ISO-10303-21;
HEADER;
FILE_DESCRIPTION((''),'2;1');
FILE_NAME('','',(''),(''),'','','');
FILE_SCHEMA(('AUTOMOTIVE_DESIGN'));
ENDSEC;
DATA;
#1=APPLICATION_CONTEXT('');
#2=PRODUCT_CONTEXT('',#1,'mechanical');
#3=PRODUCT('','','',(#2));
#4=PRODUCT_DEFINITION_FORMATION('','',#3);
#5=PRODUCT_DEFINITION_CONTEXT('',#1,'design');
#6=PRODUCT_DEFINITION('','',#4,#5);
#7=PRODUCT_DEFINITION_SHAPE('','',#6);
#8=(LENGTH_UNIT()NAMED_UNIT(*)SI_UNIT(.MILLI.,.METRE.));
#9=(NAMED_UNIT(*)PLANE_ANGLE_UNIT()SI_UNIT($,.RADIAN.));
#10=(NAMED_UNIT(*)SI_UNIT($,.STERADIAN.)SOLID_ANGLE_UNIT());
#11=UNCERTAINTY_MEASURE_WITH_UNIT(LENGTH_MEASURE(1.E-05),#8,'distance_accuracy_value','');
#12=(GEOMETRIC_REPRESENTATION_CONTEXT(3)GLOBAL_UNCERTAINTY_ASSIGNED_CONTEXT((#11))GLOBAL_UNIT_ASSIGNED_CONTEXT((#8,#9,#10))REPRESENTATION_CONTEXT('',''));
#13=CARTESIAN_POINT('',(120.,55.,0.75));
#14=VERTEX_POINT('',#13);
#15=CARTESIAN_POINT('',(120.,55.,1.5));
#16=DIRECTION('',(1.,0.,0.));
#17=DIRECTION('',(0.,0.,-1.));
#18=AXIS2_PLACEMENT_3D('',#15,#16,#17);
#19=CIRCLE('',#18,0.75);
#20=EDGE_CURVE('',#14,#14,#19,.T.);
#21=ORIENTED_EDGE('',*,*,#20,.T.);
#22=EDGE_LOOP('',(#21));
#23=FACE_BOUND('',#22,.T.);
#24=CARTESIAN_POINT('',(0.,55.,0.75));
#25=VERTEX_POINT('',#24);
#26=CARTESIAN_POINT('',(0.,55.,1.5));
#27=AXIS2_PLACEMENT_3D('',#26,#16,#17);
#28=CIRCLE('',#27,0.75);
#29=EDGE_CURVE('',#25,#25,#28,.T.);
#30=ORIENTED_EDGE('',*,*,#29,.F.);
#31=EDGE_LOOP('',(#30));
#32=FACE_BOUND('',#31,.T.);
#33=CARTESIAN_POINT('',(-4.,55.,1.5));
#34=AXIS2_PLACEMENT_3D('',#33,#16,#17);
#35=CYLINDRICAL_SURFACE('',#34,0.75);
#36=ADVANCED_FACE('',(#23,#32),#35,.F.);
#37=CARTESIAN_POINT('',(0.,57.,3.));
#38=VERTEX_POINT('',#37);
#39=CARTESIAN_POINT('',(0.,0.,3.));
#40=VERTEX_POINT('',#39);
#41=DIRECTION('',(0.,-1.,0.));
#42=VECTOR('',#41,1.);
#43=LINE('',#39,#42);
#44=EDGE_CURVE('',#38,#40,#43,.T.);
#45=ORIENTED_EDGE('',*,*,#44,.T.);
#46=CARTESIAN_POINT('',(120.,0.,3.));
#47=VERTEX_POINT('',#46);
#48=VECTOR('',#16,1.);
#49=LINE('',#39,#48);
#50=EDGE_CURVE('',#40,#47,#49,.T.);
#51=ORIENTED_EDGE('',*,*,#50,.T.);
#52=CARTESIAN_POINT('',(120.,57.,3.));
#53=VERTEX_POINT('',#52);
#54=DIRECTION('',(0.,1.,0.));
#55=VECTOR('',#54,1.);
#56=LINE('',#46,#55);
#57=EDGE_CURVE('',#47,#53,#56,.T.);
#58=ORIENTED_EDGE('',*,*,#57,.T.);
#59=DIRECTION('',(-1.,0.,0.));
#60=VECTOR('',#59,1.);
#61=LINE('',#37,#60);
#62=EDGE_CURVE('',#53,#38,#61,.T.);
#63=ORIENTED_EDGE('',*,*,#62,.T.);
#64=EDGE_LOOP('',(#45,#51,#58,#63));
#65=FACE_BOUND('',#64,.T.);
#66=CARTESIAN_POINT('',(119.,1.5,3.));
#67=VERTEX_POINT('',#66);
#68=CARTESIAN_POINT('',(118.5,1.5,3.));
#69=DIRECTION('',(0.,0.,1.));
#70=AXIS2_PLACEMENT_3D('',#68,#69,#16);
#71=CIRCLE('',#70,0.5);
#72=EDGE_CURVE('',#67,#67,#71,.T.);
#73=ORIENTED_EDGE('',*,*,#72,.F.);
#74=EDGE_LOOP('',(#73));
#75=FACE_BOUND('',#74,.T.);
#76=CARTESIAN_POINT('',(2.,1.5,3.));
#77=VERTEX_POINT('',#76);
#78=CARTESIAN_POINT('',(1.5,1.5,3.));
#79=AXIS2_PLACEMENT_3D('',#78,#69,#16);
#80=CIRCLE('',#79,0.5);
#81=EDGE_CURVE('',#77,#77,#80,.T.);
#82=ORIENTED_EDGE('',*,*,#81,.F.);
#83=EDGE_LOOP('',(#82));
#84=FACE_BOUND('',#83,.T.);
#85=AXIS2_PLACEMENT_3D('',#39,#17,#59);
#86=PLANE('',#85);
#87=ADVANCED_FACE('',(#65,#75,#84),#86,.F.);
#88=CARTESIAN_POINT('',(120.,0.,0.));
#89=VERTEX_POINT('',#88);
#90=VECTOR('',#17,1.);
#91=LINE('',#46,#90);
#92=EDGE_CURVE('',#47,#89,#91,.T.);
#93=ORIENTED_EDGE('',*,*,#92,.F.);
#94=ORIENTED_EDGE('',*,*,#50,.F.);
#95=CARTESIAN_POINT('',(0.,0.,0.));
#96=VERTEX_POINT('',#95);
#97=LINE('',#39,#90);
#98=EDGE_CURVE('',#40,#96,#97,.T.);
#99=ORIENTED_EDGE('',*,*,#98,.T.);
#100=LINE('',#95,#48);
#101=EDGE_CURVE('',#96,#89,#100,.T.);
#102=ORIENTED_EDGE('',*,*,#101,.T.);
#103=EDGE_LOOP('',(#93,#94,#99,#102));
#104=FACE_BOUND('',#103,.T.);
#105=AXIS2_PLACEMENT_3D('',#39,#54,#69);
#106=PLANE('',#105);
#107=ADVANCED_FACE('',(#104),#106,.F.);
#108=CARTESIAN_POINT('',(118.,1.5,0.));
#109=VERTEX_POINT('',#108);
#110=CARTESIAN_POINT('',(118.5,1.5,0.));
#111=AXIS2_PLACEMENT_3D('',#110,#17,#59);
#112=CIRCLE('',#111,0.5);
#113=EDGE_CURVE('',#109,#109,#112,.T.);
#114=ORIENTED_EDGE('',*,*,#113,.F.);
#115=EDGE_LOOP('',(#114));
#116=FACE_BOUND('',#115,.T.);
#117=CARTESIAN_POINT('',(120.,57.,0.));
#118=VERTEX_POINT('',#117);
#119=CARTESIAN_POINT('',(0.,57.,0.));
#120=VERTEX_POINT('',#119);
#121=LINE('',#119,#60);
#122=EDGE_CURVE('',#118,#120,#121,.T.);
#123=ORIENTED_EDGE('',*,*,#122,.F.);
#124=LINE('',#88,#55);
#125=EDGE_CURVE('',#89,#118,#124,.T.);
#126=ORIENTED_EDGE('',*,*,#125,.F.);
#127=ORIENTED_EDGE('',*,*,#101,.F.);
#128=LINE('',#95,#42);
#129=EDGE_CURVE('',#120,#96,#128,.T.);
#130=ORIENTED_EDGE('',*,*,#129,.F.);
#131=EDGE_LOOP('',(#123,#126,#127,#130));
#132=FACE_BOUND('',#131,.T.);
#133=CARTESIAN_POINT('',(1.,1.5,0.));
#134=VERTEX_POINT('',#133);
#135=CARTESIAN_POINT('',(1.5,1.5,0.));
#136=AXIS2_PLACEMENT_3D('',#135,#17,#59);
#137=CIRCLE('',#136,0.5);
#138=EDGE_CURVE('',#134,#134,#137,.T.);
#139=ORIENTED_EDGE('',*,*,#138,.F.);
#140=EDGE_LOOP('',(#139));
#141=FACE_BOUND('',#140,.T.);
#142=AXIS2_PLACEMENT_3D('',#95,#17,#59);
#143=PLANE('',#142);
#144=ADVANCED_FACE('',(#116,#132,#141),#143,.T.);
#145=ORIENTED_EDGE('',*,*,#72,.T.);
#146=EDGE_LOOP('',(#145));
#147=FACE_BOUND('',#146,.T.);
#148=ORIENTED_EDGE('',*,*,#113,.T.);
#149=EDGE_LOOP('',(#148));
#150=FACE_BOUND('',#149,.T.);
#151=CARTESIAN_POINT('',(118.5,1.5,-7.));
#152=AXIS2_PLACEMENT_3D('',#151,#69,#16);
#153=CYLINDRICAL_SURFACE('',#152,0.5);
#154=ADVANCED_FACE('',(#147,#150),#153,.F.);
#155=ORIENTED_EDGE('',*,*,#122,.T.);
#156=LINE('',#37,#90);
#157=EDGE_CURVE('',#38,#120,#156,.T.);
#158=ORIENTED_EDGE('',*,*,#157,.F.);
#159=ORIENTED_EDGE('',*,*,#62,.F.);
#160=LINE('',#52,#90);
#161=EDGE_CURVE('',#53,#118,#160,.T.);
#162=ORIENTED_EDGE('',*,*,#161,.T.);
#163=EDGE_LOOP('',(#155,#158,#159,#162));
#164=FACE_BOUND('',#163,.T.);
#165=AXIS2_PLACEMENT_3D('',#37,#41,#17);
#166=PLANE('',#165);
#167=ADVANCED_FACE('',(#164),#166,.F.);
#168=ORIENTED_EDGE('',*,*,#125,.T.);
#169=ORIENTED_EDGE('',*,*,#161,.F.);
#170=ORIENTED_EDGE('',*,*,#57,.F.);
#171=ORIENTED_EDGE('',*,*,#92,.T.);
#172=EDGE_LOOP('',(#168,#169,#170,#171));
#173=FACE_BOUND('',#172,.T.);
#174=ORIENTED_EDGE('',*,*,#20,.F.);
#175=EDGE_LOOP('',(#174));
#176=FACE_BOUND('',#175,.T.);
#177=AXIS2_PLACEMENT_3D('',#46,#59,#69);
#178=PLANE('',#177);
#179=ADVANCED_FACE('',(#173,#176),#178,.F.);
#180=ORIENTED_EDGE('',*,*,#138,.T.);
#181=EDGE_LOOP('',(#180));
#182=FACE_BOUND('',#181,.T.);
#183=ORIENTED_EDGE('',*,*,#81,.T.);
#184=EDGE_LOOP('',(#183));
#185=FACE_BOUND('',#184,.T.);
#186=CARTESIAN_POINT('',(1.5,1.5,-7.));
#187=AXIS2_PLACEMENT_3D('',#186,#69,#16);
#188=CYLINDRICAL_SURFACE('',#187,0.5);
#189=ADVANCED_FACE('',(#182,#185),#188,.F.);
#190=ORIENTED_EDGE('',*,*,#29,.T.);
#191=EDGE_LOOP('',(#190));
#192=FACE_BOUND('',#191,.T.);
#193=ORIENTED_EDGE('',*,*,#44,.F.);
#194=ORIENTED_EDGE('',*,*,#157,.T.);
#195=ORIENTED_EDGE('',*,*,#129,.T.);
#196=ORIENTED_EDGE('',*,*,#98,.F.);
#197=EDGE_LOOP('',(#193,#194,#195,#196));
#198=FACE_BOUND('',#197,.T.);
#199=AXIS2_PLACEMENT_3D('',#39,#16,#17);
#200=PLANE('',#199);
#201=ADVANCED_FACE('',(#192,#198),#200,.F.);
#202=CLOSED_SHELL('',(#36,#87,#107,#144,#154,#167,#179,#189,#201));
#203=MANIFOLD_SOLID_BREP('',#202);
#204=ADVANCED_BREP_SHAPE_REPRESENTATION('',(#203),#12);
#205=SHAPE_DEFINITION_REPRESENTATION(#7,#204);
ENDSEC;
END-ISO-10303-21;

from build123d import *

# Parameters (mm, degrees)
SKETCH_1_W          = 120
SKETCH_1_H          = 57
EXTRUDE_1_DEPTH     = 3
SKETCH_2_R          = 0.75
CUT_EXTRUDE_1_DEPTH = 124
SKETCH_3_R          = 0.5
CUT_EXTRUDE_2_DEPTH = 10


with BuildPart() as part:
    # 草图1 → 凸台-拉伸1 (new body)
    with BuildSketch(Plane.XY):
        with Locations((60, 28.5)):
            Rectangle(SKETCH_1_W, SKETCH_1_H)
    extrude(amount=EXTRUDE_1_DEPTH)

    # 草图2 → 切除-拉伸1 (cut)
    with BuildSketch(Plane(origin=(120, 0, 0), x_dir=(0, 0, -1), z_dir=(1, 0, 0))):
        with Locations((-1.5, 55)):
            Circle(SKETCH_2_R)
    extrude(amount=-CUT_EXTRUDE_1_DEPTH, mode=Mode.SUBTRACT)

    # 草图3 → 切除-拉伸2 (cut)
    with BuildSketch(Plane.XY.offset(3)):
        with Locations((1.5, 1.5)):
            Circle(SKETCH_3_R)
        with Locations((118.5, 1.5)):
            Circle(SKETCH_3_R)
    extrude(amount=-CUT_EXTRUDE_2_DEPTH, mode=Mode.SUBTRACT)


solid = part.part
